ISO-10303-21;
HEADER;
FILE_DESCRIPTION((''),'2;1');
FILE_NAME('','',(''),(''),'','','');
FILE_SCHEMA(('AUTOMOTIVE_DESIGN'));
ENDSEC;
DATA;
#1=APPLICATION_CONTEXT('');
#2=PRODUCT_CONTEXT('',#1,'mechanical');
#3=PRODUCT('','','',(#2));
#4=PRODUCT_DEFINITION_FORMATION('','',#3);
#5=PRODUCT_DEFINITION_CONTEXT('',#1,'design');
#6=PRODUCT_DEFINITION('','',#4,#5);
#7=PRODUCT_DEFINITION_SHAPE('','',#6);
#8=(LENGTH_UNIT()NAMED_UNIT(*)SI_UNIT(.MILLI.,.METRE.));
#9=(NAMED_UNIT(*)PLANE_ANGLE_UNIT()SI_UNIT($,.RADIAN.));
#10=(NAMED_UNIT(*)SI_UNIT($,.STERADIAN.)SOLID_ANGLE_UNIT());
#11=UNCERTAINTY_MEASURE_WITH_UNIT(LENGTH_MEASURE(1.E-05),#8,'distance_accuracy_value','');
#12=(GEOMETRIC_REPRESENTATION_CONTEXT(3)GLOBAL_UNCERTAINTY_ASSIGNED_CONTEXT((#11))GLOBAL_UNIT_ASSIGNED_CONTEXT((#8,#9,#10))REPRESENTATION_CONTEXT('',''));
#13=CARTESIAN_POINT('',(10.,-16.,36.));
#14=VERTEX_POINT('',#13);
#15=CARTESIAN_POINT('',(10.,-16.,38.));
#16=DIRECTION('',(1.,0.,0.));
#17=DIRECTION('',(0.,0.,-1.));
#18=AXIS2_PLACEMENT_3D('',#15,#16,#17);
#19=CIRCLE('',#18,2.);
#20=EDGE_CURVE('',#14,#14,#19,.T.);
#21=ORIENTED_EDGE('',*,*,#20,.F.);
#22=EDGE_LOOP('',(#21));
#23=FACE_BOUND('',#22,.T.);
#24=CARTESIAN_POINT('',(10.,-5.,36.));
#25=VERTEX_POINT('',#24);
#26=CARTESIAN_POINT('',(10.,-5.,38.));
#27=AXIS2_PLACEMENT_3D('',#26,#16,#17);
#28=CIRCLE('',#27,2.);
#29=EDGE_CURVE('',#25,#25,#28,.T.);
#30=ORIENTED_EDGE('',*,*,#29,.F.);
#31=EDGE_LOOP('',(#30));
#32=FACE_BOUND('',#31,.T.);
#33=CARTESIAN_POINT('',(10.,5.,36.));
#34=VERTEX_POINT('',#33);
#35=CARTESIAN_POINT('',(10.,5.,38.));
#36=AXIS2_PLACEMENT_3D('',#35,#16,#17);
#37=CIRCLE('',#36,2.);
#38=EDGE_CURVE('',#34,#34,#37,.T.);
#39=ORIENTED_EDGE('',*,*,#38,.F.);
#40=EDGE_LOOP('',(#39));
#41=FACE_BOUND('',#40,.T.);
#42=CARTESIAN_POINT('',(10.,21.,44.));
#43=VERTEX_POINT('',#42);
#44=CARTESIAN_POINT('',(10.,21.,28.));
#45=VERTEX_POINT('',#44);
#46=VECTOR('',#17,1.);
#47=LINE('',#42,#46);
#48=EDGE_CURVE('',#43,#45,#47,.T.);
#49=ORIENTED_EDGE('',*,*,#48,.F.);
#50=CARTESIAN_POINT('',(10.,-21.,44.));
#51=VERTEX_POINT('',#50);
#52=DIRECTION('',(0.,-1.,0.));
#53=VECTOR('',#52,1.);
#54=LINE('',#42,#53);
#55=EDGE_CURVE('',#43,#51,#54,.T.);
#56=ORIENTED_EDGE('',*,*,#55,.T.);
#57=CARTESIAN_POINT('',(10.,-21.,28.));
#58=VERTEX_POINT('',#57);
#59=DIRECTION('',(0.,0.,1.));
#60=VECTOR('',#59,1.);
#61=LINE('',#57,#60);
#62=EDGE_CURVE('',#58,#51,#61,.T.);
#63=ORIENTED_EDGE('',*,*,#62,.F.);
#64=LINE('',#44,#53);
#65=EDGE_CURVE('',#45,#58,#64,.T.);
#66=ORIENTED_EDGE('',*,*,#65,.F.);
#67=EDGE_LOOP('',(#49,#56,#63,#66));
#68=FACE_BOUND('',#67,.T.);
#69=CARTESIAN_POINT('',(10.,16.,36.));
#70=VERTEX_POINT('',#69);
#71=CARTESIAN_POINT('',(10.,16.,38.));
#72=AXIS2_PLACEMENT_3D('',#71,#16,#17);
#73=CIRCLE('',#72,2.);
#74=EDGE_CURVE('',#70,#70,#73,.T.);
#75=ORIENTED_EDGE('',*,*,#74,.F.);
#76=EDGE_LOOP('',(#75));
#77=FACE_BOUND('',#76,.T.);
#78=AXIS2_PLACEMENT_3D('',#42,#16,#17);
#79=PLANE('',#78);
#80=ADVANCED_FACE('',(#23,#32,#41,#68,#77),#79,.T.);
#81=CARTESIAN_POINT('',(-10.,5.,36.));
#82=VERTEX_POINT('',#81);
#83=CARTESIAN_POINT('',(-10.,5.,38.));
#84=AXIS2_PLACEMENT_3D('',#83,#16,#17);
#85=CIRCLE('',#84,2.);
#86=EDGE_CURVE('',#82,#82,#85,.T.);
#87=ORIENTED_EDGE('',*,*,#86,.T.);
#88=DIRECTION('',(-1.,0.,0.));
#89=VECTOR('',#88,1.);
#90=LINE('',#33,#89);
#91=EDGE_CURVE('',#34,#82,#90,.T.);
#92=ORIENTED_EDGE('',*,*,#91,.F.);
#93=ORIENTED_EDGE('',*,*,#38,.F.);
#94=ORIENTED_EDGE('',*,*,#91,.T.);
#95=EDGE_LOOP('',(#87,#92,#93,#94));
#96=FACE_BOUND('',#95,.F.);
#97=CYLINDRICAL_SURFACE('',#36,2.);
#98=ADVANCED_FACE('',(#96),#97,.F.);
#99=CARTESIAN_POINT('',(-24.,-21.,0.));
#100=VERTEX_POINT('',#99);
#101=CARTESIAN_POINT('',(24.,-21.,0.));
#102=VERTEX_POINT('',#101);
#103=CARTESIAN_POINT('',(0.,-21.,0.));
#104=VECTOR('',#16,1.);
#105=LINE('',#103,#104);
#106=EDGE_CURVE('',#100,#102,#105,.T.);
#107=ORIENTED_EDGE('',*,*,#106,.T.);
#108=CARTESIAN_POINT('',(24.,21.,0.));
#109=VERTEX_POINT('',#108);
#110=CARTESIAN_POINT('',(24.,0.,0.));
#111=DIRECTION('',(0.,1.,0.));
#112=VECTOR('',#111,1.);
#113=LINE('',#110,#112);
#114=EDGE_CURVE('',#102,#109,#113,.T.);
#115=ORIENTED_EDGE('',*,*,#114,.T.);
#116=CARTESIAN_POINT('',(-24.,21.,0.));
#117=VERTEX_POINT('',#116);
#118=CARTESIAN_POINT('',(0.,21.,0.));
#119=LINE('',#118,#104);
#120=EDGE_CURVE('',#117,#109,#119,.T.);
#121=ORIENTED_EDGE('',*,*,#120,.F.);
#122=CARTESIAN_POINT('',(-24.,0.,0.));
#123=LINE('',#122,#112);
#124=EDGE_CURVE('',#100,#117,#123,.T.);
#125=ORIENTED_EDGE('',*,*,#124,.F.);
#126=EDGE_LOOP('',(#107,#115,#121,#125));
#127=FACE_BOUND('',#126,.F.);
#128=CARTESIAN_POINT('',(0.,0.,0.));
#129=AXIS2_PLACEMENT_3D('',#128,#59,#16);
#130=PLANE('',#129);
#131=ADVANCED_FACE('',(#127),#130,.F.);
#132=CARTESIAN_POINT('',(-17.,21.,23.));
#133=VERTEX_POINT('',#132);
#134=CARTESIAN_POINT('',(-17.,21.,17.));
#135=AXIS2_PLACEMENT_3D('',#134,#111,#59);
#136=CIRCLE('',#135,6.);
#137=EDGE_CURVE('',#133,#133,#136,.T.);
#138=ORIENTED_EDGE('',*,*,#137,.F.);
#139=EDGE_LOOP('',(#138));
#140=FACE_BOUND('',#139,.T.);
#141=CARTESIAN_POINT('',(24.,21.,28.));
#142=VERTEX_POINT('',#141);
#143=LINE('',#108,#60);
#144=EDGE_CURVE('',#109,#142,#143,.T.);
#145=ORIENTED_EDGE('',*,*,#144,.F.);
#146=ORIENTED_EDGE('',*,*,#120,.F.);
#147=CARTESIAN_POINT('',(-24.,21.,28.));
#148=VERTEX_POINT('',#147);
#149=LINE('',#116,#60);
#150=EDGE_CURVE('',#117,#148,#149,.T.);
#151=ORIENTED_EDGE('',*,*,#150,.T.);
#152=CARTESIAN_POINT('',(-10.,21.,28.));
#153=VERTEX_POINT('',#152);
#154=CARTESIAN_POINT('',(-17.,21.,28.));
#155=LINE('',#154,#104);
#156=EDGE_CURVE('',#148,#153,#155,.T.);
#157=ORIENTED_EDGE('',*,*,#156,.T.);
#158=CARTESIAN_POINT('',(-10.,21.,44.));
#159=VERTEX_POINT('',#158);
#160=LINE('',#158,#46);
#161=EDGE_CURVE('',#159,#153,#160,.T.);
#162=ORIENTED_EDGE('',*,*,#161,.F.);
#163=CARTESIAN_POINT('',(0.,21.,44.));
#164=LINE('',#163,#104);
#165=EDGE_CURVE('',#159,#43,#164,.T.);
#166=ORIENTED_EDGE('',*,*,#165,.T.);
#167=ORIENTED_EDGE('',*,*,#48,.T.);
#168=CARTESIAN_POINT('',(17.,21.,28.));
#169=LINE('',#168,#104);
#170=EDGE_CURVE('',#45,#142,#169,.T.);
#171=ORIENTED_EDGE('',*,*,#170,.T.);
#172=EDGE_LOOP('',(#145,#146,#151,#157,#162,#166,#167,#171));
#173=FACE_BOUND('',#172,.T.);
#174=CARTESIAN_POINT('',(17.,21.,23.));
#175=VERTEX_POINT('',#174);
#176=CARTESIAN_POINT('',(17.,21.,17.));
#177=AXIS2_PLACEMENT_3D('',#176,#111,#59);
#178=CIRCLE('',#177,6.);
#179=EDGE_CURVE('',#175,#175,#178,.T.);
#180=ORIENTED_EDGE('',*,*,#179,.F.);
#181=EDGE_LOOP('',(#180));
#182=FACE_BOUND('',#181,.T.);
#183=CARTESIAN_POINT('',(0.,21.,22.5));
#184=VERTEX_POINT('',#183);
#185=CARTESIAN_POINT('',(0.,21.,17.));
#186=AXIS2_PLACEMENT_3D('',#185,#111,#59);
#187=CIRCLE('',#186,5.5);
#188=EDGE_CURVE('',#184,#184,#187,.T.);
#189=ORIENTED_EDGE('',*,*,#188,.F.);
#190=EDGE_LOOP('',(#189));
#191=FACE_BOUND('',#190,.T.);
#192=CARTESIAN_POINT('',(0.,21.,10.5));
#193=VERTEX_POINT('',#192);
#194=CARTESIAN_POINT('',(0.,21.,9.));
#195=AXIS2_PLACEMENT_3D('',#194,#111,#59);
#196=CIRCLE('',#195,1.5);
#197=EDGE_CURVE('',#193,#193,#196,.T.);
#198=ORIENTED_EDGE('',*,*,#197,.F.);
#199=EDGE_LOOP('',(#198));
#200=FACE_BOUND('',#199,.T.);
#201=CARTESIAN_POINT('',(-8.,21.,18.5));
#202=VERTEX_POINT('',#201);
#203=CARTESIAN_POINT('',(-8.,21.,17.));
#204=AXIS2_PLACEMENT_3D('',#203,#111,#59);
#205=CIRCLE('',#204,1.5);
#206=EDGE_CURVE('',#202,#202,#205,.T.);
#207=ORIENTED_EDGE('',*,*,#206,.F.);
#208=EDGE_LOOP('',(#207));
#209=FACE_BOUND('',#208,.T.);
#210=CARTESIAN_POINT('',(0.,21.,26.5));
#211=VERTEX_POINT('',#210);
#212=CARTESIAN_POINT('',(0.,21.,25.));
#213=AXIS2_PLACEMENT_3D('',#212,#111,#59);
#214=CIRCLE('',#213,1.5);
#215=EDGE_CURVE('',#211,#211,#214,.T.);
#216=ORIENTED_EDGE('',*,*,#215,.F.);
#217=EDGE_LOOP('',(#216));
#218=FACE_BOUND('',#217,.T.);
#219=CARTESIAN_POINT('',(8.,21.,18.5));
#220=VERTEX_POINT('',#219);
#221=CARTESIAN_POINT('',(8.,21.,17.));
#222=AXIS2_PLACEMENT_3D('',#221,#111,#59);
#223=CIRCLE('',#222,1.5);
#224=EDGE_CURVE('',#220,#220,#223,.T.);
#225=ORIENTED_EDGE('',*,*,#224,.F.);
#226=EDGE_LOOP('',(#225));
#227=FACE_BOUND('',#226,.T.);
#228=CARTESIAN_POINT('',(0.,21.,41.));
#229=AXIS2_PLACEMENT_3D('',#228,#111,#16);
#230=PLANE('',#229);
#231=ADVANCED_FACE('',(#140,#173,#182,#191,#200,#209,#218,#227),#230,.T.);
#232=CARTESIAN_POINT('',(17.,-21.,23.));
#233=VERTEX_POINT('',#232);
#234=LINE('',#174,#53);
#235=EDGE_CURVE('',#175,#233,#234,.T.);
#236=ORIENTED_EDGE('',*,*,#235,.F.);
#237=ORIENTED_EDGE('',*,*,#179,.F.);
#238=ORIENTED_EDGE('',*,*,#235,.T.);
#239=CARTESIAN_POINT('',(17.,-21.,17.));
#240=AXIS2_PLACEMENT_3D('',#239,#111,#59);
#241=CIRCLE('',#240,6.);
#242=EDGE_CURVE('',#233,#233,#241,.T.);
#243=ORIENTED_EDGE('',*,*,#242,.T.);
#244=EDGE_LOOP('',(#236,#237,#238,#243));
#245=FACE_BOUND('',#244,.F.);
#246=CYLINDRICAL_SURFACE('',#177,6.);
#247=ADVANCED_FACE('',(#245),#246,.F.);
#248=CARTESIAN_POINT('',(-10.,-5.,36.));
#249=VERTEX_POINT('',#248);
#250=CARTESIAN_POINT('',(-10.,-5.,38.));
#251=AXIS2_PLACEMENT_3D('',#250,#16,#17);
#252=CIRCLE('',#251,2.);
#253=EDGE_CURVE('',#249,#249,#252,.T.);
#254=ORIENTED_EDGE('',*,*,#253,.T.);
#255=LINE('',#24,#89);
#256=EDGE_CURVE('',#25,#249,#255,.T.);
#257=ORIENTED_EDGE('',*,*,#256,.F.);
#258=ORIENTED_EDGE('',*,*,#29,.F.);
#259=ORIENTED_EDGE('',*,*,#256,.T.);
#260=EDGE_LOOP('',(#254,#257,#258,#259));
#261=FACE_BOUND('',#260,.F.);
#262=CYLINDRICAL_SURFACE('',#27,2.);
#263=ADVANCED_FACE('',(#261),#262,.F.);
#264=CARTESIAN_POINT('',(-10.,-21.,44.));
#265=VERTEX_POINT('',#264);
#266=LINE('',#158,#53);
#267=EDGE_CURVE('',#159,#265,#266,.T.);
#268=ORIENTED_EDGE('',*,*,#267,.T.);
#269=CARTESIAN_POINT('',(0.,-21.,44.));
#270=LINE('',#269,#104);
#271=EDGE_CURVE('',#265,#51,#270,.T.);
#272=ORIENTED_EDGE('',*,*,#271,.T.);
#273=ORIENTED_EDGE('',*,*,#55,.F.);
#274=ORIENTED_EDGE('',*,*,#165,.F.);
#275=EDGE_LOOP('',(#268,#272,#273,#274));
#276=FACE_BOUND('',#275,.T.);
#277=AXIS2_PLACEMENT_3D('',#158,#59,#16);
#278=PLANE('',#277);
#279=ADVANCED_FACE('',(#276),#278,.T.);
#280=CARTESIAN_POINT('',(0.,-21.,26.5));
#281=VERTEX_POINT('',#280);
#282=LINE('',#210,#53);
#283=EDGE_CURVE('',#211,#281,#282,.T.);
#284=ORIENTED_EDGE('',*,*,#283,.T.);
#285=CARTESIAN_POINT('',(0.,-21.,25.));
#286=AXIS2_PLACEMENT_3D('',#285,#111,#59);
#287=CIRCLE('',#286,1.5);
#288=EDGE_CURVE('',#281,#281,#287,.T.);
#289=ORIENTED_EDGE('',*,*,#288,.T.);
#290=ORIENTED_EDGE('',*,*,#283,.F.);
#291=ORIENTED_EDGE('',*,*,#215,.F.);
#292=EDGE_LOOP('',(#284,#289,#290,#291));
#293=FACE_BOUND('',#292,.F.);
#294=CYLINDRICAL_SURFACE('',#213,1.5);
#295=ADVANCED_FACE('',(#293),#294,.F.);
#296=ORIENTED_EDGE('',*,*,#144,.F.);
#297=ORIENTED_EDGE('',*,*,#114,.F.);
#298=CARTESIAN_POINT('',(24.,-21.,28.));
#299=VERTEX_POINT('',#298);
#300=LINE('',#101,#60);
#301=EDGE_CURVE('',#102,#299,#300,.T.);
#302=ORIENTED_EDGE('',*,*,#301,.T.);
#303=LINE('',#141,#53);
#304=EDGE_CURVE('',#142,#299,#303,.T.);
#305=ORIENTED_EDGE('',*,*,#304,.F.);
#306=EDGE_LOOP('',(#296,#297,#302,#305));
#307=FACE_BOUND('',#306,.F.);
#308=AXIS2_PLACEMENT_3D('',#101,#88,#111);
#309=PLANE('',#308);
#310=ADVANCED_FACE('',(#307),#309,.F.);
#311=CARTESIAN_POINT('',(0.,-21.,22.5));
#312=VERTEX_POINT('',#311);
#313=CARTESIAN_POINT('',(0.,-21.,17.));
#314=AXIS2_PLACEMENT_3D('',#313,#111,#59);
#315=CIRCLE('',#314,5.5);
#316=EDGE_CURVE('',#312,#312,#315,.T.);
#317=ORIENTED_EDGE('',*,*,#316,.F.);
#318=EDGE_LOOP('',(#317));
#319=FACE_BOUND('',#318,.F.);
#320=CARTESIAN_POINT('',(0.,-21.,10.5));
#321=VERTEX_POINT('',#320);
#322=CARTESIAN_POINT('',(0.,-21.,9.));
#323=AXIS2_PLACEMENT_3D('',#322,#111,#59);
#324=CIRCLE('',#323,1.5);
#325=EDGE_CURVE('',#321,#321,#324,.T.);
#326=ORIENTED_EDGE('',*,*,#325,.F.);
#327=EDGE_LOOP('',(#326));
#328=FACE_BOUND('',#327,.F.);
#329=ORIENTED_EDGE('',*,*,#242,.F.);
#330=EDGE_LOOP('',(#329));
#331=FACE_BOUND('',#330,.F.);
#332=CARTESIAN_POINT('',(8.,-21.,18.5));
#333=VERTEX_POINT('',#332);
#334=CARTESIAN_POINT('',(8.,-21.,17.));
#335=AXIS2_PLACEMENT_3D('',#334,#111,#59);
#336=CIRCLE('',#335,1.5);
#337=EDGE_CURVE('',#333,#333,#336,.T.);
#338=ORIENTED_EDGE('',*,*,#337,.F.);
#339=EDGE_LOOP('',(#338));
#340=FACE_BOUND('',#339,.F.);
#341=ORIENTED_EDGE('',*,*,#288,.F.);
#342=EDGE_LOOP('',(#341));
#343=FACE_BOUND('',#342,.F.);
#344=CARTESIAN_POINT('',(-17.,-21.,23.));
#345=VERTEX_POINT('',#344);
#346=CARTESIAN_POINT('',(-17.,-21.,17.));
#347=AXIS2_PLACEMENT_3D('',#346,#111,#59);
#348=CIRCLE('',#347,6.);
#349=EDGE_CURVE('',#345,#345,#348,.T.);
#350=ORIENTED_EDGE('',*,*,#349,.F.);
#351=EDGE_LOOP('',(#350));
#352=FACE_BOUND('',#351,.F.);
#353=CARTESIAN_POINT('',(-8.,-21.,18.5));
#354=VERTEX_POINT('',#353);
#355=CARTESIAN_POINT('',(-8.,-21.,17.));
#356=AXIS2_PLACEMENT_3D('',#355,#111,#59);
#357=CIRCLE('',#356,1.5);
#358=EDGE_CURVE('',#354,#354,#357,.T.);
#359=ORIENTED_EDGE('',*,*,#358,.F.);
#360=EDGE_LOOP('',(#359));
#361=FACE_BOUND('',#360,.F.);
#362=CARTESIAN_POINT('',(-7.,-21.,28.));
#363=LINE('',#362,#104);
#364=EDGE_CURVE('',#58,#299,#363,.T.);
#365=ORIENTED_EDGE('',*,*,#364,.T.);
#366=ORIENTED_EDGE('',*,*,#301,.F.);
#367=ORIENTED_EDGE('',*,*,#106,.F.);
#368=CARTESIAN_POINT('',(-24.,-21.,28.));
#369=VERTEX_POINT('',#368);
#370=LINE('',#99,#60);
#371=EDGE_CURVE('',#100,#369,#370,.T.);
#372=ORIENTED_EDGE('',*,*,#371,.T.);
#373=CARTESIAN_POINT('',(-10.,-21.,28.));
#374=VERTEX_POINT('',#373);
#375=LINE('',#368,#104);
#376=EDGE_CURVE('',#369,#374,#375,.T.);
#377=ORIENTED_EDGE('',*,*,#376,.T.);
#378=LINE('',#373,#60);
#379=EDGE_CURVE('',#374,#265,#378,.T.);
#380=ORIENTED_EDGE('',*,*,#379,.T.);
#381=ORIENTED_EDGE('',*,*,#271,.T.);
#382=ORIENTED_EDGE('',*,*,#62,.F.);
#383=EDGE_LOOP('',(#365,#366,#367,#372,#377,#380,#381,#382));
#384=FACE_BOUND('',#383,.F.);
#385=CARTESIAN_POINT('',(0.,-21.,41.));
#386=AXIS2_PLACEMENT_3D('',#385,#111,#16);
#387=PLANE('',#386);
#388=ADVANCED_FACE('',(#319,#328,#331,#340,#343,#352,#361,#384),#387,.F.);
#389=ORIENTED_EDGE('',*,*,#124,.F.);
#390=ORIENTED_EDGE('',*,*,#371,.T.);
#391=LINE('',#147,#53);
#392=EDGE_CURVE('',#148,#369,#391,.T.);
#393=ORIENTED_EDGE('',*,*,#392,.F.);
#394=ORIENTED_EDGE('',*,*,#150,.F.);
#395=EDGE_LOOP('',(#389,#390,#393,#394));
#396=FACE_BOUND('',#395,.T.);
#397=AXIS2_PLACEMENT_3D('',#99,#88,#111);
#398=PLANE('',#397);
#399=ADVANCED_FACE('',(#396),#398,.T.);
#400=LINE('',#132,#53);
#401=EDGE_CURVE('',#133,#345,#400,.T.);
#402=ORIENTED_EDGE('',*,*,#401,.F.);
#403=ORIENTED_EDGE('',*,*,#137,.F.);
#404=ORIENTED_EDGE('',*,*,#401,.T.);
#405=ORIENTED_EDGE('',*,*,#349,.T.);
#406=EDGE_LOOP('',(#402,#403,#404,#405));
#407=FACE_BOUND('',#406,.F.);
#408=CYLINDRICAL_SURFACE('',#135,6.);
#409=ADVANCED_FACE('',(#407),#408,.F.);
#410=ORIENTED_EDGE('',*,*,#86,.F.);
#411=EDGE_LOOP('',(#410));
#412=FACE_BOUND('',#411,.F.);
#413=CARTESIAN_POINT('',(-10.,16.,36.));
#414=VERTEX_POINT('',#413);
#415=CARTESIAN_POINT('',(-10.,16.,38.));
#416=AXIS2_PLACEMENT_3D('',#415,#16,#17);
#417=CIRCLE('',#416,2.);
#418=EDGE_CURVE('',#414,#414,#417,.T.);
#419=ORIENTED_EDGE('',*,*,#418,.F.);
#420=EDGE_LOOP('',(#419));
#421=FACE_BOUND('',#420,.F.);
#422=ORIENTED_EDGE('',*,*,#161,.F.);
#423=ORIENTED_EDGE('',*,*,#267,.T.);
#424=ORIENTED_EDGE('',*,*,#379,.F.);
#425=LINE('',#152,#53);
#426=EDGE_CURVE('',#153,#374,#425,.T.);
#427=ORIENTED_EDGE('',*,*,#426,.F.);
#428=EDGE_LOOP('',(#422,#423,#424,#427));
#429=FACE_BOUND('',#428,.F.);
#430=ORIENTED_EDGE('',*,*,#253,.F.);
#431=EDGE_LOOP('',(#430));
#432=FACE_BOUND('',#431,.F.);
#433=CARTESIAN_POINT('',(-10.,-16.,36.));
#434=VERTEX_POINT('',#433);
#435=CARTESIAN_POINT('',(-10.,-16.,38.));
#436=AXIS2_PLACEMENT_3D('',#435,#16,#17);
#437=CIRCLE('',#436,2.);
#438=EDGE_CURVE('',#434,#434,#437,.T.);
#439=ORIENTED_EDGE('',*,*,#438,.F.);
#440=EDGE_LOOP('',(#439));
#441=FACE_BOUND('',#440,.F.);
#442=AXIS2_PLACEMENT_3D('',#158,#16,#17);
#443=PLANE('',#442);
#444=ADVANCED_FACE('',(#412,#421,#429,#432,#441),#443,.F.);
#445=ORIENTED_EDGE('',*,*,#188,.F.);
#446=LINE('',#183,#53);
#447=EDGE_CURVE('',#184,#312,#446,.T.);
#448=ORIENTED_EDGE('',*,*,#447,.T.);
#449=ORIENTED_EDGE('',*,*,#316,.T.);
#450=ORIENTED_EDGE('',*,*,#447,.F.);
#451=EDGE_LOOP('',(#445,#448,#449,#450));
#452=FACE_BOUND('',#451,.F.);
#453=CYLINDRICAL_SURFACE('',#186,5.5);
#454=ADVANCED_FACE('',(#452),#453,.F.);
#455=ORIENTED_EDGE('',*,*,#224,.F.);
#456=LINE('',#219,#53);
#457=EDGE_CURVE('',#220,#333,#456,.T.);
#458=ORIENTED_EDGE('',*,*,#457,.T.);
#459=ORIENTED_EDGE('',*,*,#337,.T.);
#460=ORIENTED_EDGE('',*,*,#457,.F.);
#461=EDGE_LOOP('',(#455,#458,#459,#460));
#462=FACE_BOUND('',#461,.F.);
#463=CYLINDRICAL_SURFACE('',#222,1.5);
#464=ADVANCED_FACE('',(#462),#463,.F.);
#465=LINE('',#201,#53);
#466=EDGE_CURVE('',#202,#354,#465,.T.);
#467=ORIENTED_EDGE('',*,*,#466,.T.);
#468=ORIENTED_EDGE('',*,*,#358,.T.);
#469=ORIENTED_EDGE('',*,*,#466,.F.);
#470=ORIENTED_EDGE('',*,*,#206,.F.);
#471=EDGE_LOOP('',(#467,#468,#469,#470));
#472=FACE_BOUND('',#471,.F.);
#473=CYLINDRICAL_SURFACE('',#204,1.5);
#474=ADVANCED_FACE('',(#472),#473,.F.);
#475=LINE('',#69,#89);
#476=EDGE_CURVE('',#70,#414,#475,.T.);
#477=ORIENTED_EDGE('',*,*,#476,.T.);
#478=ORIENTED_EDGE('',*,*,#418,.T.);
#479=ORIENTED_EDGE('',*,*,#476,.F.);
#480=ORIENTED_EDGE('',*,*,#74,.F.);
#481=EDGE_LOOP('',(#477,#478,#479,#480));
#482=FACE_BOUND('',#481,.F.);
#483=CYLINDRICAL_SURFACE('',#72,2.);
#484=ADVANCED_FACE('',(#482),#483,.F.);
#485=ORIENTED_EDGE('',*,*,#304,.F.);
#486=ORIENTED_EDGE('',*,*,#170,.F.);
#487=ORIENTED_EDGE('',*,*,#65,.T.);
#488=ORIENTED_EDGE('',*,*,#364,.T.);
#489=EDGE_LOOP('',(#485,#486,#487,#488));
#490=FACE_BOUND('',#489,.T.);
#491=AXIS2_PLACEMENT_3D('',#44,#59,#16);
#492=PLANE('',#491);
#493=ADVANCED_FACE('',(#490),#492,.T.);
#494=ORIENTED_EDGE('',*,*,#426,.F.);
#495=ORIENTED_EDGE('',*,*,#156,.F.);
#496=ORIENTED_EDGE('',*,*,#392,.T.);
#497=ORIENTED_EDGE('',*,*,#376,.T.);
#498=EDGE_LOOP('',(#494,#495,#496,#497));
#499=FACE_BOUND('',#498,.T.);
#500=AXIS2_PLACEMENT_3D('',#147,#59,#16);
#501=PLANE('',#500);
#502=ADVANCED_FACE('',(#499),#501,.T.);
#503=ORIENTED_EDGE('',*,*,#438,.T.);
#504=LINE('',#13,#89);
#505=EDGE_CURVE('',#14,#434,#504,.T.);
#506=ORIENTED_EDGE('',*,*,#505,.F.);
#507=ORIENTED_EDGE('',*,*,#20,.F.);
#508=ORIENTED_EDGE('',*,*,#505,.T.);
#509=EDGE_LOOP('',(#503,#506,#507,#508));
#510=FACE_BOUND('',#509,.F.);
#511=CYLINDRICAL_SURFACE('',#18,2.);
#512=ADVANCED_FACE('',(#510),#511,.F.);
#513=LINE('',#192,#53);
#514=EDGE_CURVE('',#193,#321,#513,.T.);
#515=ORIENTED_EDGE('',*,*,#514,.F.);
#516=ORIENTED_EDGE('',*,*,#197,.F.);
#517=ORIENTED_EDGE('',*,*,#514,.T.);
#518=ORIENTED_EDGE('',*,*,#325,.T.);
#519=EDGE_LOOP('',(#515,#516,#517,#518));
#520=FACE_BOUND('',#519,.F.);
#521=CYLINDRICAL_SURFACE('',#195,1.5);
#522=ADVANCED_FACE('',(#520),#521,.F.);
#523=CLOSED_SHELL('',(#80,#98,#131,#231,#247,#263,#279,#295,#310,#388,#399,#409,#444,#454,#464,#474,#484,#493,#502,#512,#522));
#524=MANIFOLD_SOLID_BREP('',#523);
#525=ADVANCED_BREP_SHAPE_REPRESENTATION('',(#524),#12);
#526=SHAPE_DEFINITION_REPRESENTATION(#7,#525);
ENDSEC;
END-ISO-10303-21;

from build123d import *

# Parameters (mm, degrees)
SKETCH_1_W          = 48
SKETCH_1_H          = 42
EXTRUDE_1_DEPTH     = 38
SKETCH_3_R          = 6
SKETCH_3_R_2        = 5.5
SKETCH_3_R_3        = 1.5
CUT_EXTRUDE_2_DEPTH = 62.514225997
SKETCH_9_W          = 14
SKETCH_9_H          = 10
CUT_EXTRUDE_6_DEPTH = 62.514225997
SKETCH_10_W         = 20
SKETCH_10_H         = 6
EXTRUDE_3_DEPTH     = 42
SKETCH_11_R         = 2
CUT_EXTRUDE_7_DEPTH = 60.439044407


with BuildPart() as part:
    # 草圖1 → 填料-伸長1 (new body)
    with BuildSketch(Plane.XY):
        Rectangle(SKETCH_1_W, SKETCH_1_H)
    extrude(amount=EXTRUDE_1_DEPTH)

    # 草圖3 → 除料-伸長2 (cut, through all)
    with BuildSketch(Plane(origin=(0, 21, 0), x_dir=(1, 0, 0), z_dir=(0, 1, 0))):
        with Locations(Location((17, -17, 0), (0, 0, 270))):
            Circle(SKETCH_3_R)
        with Locations(Location((-17, -17, 0), (0, 0, 270))):
            Circle(SKETCH_3_R)
        with Locations(Location((0, -17, 0), (0, 0, 270))):
            Circle(SKETCH_3_R_2)
        with Locations(Location((0, -25, 0), (0, 0, 270))):
            Circle(SKETCH_3_R_3)
        with Locations(Location((8, -17, 0), (0, 0, 270))):
            Circle(SKETCH_3_R_3)
        with Locations(Location((0, -9, 0), (0, 0, 270))):
            Circle(SKETCH_3_R_3)
        with Locations(Location((-8, -17, 0), (0, 0, 270))):
            Circle(SKETCH_3_R_3)
    extrude(amount=-CUT_EXTRUDE_2_DEPTH, mode=Mode.SUBTRACT)

    # 草圖9 → 除料-伸長6 (cut, through all)
    with BuildSketch(Plane(origin=(0, 21, 0), x_dir=(1, 0, 0), z_dir=(0, 1, 0))):
        with Locations((-17, -33)):
            Rectangle(SKETCH_9_W, SKETCH_9_H)
        with Locations((17, -33)):
            Rectangle(SKETCH_9_W, SKETCH_9_H)
    extrude(amount=-CUT_EXTRUDE_6_DEPTH, mode=Mode.SUBTRACT)

    # 草圖10 → 填料-伸長3 (add)
    with BuildSketch(Plane(origin=(0, 21, 0), x_dir=(1, 0, 0), z_dir=(0, 1, 0))):
        with Locations((0, -41)):
            Rectangle(SKETCH_10_W, SKETCH_10_H)
    extrude(amount=-EXTRUDE_3_DEPTH)

    # 草圖11 → 除料-伸長7 (cut, through all)
    with BuildSketch(Plane(origin=(10, 0, 0), x_dir=(0, 0, -1), z_dir=(1, 0, 0))):
        with Locations((-38, 16)):
            Circle(SKETCH_11_R)
        with Locations((-38, 5)):
            Circle(SKETCH_11_R)
        with Locations((-38, -5)):
            Circle(SKETCH_11_R)
        with Locations((-38, -16)):
            Circle(SKETCH_11_R)
    extrude(amount=-CUT_EXTRUDE_7_DEPTH, mode=Mode.SUBTRACT)


solid = part.part
